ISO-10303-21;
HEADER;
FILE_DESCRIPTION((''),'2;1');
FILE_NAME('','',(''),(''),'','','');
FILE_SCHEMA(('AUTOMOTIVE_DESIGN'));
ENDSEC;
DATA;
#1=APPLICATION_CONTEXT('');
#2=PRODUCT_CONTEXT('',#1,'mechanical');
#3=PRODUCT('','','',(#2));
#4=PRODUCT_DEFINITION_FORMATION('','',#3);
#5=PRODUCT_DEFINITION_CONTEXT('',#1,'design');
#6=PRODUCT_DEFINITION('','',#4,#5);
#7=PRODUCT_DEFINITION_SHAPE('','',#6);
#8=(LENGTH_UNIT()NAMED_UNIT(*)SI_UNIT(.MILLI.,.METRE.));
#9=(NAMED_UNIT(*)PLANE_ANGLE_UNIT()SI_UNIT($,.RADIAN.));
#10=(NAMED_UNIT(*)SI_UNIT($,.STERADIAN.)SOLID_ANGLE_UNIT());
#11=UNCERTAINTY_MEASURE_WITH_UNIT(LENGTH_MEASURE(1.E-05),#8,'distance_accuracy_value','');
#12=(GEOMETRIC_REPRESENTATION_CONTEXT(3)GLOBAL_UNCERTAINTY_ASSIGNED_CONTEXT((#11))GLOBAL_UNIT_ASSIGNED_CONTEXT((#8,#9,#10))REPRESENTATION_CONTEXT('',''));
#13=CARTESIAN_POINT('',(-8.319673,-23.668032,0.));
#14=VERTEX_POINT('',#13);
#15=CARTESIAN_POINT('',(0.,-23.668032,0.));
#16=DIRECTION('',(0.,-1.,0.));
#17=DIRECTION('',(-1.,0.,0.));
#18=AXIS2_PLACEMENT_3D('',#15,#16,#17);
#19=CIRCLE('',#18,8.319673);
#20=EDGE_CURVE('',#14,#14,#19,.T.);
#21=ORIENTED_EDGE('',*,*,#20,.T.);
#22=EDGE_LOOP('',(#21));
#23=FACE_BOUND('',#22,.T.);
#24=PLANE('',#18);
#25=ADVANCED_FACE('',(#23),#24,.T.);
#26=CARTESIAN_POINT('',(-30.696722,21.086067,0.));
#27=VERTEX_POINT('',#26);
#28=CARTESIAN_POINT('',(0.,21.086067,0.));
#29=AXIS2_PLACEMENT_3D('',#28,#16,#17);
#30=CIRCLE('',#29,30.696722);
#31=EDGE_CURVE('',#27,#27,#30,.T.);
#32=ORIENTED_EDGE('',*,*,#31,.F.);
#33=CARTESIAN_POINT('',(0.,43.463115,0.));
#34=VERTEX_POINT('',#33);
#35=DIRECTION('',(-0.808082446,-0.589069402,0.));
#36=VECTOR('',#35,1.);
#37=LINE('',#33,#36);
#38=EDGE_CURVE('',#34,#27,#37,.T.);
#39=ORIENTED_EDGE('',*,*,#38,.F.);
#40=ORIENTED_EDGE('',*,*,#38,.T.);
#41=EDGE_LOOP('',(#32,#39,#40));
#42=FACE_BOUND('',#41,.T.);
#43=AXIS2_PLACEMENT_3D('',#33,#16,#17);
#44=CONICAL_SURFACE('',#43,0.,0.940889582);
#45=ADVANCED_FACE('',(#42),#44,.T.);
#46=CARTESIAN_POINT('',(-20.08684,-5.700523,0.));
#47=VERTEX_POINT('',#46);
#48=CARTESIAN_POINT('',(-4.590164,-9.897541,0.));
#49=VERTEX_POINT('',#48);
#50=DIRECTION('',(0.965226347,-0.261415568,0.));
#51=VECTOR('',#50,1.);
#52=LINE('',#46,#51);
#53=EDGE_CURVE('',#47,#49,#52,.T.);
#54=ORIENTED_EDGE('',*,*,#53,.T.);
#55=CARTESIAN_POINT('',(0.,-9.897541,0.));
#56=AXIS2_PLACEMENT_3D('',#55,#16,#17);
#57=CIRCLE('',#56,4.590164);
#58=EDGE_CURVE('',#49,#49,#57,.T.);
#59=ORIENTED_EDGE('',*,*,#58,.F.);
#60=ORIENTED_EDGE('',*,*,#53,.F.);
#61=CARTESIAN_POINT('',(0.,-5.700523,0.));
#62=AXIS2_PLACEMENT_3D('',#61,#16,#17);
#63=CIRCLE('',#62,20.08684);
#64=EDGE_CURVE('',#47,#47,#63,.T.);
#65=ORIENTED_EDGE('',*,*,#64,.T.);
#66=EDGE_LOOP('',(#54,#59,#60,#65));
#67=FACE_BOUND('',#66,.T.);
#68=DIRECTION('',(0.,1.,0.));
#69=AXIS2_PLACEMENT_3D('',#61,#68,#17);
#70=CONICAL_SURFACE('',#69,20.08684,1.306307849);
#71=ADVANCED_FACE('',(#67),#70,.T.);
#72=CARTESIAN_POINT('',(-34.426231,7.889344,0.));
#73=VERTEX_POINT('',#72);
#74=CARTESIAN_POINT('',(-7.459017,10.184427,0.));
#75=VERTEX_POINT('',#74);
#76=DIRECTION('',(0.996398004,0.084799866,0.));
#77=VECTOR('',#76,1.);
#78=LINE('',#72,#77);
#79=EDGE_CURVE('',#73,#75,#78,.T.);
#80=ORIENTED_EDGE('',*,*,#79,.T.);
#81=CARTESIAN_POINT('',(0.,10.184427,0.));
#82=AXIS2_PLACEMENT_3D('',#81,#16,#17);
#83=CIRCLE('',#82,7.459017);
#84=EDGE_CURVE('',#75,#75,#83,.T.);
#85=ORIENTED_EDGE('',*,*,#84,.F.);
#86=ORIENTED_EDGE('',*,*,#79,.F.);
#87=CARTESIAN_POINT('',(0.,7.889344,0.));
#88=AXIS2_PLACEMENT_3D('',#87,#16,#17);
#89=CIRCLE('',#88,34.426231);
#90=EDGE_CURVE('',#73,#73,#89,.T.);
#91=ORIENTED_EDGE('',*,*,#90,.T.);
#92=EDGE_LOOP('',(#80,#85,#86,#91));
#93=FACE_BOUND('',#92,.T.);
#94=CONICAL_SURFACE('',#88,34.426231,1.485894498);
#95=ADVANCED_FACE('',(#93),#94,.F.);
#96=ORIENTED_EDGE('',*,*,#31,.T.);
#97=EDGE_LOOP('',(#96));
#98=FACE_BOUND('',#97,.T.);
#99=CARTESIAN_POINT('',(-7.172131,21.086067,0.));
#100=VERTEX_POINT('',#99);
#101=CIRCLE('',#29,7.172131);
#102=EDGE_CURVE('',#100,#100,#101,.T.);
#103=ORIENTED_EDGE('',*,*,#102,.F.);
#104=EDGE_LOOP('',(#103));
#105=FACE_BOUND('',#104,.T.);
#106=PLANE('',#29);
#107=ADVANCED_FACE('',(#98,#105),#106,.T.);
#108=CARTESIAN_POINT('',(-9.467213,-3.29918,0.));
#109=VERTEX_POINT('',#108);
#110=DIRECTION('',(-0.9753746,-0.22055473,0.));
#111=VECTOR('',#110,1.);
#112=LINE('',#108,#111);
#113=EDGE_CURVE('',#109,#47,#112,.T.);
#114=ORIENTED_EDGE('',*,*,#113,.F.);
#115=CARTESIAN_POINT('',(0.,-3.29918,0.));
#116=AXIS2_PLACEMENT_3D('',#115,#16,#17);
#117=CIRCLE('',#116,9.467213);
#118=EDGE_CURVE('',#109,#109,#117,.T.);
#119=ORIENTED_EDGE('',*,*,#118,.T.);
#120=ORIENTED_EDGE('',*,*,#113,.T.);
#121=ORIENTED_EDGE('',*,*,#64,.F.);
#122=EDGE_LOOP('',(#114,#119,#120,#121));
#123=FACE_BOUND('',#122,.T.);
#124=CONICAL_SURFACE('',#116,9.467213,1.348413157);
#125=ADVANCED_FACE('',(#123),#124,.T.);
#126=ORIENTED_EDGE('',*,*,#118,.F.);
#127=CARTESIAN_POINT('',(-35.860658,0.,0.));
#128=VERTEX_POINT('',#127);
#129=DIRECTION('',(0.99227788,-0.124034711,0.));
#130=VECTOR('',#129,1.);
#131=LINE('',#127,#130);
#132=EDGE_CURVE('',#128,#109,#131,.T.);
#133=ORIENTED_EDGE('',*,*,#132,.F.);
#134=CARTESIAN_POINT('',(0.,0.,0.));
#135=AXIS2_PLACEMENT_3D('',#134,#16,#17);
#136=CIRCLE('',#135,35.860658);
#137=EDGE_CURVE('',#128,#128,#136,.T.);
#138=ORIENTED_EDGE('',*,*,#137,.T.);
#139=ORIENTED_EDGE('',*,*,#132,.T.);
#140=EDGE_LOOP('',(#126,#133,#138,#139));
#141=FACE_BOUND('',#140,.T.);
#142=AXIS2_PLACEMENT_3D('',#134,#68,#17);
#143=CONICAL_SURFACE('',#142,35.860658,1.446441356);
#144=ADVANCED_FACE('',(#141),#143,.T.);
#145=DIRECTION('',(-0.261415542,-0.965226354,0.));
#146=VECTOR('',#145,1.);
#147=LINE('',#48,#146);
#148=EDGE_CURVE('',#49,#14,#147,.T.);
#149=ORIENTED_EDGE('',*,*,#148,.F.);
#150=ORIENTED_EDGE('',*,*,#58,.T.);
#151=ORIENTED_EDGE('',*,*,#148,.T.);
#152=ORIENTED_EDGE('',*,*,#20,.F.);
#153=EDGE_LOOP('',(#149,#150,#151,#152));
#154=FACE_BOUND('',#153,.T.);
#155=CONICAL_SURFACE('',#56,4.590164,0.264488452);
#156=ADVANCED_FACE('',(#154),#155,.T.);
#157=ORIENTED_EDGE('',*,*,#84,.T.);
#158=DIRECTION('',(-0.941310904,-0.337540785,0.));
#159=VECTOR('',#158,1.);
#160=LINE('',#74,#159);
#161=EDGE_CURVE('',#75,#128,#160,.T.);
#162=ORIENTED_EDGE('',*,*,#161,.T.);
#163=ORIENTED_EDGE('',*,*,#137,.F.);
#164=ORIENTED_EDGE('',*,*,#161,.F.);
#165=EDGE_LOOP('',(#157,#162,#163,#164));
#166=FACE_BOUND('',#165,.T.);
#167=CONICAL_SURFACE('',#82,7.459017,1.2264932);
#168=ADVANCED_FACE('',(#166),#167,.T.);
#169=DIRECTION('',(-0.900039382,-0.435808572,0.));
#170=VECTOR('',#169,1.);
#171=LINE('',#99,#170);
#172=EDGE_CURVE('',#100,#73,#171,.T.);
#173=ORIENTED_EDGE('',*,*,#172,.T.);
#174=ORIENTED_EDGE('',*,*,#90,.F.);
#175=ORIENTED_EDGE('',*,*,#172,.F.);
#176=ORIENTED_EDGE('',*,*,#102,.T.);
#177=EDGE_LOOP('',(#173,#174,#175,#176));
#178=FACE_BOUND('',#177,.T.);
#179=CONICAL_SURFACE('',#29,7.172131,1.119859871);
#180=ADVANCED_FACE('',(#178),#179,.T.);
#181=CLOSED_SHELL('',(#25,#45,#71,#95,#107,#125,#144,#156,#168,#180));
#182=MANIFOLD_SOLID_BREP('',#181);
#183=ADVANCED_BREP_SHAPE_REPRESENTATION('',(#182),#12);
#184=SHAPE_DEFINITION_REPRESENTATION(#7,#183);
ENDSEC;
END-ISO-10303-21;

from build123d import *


with BuildPart() as f1:
    # F0 (on Top) → F1 (revolve)
    with BuildSketch(Plane.XY):
        Polygon((-4.590164, -9.897541), (-8.319673, -23.668032), (0, -23.668032), (0, 43.463115), (-30.696722, 21.086067), (-7.172131, 21.086067), (-34.426231, 7.889344), (-7.459017, 10.184427), (-35.860658, 0), (-9.467213, -3.29918), (-20.08684, -5.700523), align=None)
    revolve(axis=Axis((0, 9.18033, 0), (0, -1, 0)))


solid = f1.part
